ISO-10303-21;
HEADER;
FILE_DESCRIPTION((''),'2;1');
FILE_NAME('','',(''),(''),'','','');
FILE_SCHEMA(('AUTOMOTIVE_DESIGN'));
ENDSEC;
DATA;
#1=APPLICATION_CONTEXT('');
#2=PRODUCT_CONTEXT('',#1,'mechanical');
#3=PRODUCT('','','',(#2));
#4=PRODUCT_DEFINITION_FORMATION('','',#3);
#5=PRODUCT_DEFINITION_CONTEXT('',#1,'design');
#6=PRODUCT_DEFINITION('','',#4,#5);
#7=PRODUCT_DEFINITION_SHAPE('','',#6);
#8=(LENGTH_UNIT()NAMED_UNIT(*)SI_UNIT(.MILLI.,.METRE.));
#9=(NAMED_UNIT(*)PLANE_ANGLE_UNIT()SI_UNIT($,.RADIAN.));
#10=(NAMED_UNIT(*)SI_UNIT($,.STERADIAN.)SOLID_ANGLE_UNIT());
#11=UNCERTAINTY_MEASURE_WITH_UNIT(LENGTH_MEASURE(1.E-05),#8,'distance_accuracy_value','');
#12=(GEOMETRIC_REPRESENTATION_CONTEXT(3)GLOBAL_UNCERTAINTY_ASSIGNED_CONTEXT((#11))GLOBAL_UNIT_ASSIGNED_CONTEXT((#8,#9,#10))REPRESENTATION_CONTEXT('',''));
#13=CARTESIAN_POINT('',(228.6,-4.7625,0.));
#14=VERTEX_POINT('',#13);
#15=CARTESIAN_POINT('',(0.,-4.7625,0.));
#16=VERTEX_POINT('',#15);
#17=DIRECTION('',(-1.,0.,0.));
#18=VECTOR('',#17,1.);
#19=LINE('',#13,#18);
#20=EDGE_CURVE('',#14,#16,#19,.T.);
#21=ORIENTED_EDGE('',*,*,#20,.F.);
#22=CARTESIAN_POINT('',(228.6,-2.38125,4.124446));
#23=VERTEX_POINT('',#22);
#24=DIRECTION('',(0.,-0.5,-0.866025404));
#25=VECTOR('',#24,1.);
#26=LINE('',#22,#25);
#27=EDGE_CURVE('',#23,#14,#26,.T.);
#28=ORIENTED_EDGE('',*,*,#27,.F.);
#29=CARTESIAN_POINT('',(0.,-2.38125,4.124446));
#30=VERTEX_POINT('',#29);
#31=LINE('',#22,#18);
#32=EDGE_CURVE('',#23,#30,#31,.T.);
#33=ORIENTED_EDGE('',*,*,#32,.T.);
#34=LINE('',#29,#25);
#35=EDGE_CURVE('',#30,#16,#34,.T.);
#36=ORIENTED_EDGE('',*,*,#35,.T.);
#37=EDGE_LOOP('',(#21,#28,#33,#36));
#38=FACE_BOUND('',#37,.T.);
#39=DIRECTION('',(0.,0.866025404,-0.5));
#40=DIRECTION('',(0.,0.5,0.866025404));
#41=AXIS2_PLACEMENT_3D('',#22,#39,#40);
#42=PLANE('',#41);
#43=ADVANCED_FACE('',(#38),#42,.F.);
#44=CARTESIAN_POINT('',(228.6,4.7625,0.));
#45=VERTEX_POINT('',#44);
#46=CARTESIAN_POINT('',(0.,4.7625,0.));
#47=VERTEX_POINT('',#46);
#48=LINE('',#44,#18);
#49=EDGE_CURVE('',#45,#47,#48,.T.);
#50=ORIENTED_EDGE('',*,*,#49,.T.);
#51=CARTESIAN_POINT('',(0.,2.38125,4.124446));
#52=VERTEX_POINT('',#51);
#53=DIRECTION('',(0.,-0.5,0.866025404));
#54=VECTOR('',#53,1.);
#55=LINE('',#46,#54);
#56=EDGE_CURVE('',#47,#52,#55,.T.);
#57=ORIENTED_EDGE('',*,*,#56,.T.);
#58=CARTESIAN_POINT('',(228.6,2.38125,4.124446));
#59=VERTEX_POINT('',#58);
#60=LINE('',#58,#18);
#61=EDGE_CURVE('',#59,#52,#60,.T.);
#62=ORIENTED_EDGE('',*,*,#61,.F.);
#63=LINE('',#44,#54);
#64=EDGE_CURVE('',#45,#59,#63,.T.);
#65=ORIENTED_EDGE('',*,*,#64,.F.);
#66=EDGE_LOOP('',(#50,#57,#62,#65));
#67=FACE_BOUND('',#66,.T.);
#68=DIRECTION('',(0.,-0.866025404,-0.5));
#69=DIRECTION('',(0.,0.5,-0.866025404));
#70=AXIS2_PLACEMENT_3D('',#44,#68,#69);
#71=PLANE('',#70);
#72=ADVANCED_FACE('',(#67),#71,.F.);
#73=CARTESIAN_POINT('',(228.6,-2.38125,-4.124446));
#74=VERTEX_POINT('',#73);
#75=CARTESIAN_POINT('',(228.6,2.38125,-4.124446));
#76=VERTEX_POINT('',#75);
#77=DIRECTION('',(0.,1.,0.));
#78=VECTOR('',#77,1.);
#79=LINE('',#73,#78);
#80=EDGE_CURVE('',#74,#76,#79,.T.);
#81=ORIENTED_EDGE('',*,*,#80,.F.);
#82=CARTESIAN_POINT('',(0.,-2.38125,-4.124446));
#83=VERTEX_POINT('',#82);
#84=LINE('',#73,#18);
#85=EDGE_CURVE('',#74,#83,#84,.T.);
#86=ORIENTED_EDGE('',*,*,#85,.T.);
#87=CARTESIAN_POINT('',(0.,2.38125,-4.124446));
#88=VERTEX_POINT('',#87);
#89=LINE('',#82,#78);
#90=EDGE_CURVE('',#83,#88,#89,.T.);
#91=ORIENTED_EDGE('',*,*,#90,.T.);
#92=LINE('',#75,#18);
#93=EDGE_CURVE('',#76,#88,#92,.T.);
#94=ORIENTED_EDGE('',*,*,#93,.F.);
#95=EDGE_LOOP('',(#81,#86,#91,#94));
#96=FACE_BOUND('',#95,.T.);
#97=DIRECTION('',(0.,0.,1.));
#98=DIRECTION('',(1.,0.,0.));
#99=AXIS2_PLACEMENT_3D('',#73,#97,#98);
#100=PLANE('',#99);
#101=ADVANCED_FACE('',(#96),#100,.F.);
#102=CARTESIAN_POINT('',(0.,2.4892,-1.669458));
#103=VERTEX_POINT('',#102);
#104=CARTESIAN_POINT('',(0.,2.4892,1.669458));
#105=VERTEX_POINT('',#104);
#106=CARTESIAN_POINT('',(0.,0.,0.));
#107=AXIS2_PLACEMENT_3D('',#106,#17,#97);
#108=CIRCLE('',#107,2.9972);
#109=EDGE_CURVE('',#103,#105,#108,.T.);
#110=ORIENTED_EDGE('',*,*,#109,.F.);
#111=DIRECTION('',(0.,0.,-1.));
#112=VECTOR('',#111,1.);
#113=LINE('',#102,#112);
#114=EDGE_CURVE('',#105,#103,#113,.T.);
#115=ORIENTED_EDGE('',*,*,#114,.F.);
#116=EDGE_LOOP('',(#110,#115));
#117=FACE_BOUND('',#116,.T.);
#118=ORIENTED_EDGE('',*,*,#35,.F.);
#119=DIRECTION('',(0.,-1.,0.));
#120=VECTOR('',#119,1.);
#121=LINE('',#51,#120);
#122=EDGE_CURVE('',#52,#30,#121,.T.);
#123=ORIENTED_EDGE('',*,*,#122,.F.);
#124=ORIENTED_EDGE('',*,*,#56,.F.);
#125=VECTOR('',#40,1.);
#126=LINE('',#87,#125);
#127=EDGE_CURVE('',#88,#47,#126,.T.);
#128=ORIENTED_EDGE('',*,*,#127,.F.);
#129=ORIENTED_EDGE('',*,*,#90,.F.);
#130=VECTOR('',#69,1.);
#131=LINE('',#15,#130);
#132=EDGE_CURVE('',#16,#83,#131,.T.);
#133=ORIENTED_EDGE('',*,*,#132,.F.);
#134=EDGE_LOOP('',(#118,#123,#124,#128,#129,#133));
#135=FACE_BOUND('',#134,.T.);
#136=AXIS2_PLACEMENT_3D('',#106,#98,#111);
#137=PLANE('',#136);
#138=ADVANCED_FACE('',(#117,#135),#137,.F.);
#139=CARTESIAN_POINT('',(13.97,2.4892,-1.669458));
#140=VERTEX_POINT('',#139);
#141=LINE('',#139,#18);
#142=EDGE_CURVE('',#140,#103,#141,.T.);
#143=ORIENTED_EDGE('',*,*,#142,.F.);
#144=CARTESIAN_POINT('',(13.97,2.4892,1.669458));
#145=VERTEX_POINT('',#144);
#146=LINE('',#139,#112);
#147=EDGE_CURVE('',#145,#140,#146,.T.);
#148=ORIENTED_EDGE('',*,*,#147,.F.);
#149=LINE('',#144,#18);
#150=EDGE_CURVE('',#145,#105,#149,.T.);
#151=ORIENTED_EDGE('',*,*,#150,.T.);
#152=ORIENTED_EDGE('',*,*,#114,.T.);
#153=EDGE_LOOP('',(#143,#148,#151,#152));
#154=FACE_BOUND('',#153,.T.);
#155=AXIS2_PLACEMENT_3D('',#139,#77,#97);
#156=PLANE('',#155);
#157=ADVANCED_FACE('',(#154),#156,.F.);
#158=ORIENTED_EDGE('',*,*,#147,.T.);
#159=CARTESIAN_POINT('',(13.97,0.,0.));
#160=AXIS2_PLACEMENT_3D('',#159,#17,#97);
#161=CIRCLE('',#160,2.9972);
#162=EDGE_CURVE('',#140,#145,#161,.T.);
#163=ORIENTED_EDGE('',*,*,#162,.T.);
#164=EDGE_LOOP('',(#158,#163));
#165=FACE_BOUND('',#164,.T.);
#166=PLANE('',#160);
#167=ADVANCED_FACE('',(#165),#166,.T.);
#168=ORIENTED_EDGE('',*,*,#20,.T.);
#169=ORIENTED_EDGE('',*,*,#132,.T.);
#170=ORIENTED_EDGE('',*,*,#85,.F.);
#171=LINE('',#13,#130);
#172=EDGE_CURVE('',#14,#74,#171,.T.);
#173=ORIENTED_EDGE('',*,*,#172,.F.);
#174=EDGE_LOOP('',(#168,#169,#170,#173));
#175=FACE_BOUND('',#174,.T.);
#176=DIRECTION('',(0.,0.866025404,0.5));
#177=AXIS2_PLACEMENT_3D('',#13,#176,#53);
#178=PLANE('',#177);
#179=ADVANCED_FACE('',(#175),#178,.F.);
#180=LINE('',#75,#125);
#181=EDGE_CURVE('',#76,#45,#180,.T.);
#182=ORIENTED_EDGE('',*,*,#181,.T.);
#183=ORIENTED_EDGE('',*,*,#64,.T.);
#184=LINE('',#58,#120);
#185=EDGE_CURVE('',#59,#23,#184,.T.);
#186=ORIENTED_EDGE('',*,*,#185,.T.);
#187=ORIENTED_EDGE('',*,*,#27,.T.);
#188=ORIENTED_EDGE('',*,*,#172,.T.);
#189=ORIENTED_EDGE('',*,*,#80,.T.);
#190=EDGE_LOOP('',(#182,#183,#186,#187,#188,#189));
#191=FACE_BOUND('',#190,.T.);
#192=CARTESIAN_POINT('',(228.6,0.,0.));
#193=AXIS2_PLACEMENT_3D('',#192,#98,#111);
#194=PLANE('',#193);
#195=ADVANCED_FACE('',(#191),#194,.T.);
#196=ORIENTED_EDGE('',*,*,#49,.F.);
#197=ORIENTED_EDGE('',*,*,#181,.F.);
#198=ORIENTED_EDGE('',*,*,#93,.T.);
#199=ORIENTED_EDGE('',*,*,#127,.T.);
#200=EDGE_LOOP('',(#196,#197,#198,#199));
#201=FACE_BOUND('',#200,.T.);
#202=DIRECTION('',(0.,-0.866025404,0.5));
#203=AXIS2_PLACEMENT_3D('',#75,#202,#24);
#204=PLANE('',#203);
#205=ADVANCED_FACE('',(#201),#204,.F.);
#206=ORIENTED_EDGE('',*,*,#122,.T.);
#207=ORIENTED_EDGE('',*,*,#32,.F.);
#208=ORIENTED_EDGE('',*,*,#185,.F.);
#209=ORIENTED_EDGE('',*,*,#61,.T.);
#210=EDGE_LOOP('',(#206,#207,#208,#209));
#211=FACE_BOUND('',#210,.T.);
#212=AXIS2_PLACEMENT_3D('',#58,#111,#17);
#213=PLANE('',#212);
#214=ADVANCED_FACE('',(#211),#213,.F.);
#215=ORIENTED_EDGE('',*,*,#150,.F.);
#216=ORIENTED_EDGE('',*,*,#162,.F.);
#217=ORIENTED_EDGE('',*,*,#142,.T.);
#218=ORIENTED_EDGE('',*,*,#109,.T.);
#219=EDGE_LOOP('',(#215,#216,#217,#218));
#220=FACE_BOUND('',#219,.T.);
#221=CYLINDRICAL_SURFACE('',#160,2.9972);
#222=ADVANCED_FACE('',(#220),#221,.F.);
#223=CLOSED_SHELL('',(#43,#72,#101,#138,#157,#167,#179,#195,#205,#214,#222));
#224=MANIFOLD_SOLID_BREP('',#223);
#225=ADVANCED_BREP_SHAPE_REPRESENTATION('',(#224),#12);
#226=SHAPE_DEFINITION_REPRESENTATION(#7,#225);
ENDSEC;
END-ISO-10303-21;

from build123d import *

# Parameters (mm, degrees)
AXLE_DEPTH       = 228.6
DRIVE_SLOT_DEPTH = 13.97


with BuildPart() as part:
    # Hex Profile → Axle (new body)
    with BuildSketch(Plane(origin=(0, 0, 0), x_dir=(0, 0, -1), z_dir=(1, 0, 0))):
        Polygon((4.124445986, -2.38125), (4.124445986, 2.38125), (0, 4.7625), (-4.124445986, 2.38125), (-4.124445986, -2.38125), (0, -4.7625), align=None)
    extrude(amount=AXLE_DEPTH)

    # Motor Shaft Profile → Drive  Slot (cut)
    with BuildSketch(Plane.ZY):
        with BuildLine():
            Line((-1.669458355, 2.4892), (1.669458355, 2.4892))
            ThreePointArc((1.669458355, 2.4892), (0, -2.9972), (-1.669458355, 2.4892))
        make_face()
    extrude(amount=-DRIVE_SLOT_DEPTH, mode=Mode.SUBTRACT)


solid = part.part
